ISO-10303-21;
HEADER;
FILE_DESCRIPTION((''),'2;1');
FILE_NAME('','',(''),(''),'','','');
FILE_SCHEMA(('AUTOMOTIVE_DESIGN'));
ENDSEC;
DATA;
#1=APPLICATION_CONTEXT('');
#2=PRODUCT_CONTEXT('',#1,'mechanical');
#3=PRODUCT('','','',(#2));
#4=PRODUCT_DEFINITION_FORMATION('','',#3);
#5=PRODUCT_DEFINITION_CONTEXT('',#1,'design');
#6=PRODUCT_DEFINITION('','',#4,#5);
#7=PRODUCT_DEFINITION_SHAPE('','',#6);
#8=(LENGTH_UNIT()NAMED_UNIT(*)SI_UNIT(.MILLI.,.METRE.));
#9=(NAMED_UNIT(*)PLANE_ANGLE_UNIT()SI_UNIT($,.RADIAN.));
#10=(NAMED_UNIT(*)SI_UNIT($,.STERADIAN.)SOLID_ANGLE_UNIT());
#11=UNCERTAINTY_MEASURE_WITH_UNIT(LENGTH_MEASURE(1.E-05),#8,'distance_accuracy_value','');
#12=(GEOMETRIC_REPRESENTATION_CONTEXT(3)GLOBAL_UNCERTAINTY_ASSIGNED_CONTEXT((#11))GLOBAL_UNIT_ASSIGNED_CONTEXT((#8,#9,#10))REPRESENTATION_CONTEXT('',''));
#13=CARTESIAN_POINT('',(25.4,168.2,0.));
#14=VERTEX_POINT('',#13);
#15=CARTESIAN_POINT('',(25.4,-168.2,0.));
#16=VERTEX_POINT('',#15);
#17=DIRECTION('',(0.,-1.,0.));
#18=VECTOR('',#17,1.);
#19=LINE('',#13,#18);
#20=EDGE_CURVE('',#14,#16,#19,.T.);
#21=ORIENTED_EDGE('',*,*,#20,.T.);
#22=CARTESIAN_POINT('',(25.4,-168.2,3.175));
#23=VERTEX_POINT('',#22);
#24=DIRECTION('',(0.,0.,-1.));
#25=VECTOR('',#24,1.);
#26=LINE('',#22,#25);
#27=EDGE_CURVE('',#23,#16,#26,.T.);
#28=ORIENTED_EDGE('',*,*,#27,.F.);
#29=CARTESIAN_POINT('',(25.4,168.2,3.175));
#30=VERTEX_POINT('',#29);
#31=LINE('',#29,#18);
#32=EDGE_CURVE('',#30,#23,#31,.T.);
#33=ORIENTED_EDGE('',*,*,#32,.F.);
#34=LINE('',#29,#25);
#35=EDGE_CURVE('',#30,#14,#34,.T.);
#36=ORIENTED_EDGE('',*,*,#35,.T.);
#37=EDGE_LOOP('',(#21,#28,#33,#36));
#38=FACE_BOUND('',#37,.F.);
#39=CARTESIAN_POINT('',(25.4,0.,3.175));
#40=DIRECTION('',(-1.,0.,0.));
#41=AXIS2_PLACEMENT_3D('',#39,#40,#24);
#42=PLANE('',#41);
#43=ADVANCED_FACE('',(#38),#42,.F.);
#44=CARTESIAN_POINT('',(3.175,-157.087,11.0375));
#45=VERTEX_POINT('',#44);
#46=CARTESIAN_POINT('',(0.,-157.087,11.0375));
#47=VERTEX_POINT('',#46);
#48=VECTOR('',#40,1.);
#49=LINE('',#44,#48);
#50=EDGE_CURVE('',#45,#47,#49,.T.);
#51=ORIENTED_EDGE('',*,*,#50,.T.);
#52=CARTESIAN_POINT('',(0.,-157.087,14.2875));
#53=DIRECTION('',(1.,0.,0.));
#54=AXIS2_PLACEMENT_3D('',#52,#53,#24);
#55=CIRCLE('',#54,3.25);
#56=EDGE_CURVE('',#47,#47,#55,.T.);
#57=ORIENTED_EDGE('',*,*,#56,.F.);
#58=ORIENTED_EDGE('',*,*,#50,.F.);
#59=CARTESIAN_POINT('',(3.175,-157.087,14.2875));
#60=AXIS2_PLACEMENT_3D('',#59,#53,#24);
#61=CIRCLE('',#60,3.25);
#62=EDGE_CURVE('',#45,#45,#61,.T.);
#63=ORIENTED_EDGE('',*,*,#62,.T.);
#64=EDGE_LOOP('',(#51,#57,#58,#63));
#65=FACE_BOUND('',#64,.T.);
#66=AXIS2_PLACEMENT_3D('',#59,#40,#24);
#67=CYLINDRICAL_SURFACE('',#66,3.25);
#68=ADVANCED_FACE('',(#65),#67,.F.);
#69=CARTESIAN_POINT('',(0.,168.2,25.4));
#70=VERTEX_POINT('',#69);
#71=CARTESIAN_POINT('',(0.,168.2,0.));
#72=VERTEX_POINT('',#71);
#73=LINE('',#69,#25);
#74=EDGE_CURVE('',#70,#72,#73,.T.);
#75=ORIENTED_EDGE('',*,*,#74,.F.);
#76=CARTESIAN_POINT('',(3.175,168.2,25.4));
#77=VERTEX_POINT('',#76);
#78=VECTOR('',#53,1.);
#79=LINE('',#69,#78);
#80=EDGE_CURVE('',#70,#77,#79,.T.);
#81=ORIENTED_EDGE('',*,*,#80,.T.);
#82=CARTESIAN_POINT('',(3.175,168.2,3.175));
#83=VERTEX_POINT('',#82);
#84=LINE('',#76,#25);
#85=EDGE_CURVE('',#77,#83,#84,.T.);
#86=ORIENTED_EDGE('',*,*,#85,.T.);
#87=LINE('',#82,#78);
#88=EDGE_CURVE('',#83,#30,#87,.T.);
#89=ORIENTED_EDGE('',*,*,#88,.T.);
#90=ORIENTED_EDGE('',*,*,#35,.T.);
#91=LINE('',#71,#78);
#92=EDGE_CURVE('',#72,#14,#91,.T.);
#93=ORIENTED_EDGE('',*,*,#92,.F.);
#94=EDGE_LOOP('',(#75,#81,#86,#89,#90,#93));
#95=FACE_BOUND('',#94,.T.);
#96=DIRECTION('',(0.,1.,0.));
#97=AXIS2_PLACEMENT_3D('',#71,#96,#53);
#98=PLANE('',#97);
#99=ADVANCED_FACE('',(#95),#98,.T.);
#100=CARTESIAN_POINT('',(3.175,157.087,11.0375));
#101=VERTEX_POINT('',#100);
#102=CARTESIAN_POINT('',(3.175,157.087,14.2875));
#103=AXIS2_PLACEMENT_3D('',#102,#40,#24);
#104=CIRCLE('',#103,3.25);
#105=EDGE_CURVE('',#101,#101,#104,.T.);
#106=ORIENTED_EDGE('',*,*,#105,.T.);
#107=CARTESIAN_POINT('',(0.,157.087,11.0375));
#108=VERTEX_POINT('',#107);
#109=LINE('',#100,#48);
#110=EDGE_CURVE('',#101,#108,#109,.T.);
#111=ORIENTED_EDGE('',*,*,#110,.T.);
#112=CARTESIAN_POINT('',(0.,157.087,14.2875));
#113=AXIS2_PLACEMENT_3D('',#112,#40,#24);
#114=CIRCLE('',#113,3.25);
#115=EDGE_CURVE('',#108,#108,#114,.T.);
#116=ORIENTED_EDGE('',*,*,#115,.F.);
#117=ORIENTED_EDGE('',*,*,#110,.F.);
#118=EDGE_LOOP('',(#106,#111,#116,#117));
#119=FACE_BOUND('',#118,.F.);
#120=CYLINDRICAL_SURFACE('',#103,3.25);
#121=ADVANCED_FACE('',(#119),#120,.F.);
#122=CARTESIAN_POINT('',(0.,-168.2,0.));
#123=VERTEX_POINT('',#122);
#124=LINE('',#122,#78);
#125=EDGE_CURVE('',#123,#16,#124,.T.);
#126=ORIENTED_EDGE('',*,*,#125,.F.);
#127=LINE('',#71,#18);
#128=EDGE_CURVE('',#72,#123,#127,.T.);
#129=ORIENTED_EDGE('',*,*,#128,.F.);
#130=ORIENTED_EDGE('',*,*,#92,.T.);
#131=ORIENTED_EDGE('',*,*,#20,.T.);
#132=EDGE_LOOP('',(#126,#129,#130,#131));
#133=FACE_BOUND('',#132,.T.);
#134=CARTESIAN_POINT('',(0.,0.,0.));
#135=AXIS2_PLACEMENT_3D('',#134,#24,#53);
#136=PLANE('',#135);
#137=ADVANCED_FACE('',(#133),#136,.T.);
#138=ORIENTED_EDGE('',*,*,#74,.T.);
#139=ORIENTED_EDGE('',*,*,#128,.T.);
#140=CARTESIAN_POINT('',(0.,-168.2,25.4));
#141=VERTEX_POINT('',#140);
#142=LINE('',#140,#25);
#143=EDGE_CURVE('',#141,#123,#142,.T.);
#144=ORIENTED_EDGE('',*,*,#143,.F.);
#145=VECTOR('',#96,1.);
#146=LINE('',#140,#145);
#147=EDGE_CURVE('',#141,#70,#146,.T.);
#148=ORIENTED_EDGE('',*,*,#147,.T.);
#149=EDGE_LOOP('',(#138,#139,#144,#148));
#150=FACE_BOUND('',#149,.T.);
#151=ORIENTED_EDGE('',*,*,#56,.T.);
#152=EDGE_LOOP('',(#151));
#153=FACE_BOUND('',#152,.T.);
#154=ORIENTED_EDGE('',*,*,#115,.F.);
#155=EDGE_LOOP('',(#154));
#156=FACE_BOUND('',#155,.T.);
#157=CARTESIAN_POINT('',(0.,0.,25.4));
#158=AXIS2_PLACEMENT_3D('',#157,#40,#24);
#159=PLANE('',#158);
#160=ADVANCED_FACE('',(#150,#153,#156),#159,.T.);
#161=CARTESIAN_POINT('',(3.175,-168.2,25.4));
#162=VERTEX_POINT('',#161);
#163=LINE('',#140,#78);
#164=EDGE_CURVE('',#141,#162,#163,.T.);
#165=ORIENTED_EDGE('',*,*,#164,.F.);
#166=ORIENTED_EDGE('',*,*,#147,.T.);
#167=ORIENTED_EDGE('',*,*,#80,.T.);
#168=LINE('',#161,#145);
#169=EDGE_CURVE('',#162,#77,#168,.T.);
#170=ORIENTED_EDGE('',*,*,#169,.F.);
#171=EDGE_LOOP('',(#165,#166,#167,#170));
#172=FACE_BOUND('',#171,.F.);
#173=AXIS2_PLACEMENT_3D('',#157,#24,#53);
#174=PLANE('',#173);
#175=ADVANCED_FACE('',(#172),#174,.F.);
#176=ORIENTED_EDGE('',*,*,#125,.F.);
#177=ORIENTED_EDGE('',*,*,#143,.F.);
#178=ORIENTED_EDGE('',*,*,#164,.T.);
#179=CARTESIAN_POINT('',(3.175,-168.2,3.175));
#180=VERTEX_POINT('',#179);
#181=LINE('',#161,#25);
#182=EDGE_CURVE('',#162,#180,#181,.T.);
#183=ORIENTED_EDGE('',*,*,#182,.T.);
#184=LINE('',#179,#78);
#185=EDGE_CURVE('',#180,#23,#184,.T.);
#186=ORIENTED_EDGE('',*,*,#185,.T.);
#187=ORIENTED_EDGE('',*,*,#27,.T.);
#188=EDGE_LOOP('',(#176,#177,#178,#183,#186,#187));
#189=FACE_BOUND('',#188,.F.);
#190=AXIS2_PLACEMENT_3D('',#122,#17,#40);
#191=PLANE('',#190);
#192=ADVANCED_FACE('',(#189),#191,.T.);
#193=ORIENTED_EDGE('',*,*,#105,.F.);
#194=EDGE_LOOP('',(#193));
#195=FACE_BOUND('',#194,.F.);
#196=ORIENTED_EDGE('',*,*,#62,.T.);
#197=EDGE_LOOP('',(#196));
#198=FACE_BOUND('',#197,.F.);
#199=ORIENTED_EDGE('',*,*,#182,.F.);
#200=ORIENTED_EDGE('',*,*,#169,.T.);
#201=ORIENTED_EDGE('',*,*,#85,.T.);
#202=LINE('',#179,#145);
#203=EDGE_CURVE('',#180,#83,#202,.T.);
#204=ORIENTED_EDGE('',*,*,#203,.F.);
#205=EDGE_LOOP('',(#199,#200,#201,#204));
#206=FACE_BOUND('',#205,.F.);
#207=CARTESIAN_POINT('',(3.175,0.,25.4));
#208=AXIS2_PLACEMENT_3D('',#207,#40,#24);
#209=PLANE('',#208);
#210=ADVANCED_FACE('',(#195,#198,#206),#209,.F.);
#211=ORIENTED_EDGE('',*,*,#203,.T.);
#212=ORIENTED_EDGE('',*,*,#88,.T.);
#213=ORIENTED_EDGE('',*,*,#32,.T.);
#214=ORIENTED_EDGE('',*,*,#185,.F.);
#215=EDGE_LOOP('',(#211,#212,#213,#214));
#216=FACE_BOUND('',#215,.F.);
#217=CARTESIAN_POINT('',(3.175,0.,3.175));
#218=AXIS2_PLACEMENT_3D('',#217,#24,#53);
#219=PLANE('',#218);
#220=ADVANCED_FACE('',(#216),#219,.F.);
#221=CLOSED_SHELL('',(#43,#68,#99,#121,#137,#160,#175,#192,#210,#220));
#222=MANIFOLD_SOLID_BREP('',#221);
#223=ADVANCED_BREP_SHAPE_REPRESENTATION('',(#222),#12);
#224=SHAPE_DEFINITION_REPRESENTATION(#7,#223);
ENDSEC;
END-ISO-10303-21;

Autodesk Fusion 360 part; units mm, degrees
sketch "Sketch1" plane through (0, 0, 0) normal (0, 1, 0) x (1, 0, 0)
  line L0 (0, -25.4) -> (0, 0)
  line L1 (0, 0) -> (25.4, 0)
  line L2 (12.7, -12.7) -> (11.05, -11.05) construction
  line L3 (3.175, -25.4) -> (3.175, -3.175)
  line L4 (3.175, -3.175) -> (25.4, -3.175)
  line L5 (25.4, -3.175) -> (25.4, 0)
  line L6 (0, -25.4) -> (3.175, -25.4)
  dimension "d1" = 25.4
  dimension "d2" = 25.4
  dimension "d13" = 3.175
extrude "Extrude1" add sketch "Sketch1" along normal blind 168.2
hole "Hole3" at (3.175, 157.087, 14.2875) direction (-1, 0, 0) diameter 6.5 end through all
mirror "Mirror1" about plane through (0, 0, 0) normal (0, 1, 0) of bodies 1 merged
equation "d5 = ( 336.4 / 2 ) * 1 mm"
equation "d27 = ( 22.225 / 2 ) * 1 mm"
